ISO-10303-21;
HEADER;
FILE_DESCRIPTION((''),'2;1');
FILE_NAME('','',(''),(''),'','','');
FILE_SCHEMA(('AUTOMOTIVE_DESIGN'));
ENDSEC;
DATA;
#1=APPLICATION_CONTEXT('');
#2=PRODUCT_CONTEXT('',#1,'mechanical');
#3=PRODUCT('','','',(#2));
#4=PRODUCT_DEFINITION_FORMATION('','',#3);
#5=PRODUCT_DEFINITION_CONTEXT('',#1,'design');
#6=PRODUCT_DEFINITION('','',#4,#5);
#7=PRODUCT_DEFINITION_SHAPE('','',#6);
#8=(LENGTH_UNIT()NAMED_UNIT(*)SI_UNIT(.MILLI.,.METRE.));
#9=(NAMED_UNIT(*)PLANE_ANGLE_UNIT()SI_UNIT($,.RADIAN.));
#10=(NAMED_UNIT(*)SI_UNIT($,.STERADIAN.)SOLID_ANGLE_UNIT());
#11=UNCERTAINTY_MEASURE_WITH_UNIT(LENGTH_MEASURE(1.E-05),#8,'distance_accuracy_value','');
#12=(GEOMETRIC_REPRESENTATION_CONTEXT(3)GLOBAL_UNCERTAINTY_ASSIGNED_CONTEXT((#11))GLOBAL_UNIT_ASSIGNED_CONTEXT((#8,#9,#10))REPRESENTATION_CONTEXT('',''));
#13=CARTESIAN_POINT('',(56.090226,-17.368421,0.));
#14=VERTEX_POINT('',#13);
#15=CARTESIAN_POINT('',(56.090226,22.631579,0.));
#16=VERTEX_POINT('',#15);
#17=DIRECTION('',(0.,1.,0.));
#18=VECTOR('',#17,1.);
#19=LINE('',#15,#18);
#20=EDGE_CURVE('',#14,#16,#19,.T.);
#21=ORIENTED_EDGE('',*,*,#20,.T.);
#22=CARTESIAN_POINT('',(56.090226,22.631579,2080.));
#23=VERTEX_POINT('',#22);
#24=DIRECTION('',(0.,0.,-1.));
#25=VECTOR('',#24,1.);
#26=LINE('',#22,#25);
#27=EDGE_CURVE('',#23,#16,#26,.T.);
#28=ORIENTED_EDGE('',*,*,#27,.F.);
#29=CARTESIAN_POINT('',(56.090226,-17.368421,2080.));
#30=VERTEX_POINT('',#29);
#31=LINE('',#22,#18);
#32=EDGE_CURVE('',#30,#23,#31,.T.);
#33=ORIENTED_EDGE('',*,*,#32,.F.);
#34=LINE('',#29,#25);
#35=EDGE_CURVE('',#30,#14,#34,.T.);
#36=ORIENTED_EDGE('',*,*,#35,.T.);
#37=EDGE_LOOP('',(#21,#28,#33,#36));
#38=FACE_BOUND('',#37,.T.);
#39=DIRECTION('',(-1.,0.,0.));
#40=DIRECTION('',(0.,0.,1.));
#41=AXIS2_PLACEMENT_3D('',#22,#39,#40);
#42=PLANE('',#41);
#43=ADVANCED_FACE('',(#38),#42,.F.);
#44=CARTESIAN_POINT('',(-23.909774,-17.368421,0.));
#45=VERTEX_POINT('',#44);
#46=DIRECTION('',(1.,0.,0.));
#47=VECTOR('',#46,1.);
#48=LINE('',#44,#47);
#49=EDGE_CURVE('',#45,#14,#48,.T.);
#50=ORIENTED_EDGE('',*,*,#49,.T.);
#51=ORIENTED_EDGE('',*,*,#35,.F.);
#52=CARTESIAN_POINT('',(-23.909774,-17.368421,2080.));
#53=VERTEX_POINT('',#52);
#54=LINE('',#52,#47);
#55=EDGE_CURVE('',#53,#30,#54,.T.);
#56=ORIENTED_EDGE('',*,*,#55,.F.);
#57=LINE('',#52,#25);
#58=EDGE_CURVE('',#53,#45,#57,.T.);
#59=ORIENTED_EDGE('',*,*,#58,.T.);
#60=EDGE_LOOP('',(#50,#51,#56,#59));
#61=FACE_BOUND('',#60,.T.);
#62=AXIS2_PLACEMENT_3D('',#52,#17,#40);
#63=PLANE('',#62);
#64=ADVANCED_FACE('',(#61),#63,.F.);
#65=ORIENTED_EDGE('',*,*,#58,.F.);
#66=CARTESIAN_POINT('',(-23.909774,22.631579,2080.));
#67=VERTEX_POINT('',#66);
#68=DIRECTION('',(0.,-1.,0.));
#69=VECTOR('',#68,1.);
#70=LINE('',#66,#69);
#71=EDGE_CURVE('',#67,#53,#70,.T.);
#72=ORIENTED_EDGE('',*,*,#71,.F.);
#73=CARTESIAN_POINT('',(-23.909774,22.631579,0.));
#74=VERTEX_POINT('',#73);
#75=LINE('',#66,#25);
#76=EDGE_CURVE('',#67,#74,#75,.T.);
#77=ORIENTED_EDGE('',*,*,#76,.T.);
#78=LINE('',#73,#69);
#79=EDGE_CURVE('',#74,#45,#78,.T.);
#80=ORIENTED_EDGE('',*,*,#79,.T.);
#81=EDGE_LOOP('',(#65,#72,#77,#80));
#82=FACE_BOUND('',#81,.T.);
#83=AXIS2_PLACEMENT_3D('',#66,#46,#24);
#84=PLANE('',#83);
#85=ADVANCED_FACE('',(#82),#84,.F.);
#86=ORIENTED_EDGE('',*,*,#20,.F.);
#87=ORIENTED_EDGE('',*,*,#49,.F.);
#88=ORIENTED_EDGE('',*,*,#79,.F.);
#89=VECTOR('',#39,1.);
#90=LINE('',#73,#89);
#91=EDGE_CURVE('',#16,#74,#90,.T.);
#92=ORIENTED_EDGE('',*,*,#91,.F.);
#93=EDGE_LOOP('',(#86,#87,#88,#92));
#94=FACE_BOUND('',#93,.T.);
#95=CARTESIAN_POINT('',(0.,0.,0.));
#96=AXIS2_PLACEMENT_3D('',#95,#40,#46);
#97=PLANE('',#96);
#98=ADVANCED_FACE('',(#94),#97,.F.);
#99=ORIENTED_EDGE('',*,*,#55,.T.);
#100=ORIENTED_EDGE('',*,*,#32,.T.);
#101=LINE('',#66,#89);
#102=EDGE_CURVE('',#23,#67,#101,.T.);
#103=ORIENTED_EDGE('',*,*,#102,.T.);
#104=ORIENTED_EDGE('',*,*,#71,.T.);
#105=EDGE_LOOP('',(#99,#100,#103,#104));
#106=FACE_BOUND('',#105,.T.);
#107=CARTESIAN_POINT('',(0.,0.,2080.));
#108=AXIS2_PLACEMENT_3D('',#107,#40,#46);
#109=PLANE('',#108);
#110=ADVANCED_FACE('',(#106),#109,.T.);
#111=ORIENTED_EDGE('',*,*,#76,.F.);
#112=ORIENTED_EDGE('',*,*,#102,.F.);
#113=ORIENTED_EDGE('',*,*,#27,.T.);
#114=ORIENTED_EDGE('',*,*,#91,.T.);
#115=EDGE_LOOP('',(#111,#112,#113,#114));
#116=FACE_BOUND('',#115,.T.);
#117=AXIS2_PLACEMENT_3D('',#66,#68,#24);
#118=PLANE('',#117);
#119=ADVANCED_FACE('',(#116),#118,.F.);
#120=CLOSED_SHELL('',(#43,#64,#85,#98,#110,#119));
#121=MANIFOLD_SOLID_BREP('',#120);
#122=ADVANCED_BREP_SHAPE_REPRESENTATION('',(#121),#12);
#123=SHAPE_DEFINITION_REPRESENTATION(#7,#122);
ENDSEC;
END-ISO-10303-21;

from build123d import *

# Parameters (mm, degrees)
SKETCH_1_W      = 80
SKETCH_1_H      = 40
EXTRUDE_1_DEPTH = 2080


with BuildPart() as part:
    # Эскиз1 → Бобышка-Вытянуть1 (new body)
    with BuildSketch(Plane.XY):
        with Locations((16.090225564, 2.631578947)):
            Rectangle(SKETCH_1_W, SKETCH_1_H)
    extrude(amount=EXTRUDE_1_DEPTH)


solid = part.part
